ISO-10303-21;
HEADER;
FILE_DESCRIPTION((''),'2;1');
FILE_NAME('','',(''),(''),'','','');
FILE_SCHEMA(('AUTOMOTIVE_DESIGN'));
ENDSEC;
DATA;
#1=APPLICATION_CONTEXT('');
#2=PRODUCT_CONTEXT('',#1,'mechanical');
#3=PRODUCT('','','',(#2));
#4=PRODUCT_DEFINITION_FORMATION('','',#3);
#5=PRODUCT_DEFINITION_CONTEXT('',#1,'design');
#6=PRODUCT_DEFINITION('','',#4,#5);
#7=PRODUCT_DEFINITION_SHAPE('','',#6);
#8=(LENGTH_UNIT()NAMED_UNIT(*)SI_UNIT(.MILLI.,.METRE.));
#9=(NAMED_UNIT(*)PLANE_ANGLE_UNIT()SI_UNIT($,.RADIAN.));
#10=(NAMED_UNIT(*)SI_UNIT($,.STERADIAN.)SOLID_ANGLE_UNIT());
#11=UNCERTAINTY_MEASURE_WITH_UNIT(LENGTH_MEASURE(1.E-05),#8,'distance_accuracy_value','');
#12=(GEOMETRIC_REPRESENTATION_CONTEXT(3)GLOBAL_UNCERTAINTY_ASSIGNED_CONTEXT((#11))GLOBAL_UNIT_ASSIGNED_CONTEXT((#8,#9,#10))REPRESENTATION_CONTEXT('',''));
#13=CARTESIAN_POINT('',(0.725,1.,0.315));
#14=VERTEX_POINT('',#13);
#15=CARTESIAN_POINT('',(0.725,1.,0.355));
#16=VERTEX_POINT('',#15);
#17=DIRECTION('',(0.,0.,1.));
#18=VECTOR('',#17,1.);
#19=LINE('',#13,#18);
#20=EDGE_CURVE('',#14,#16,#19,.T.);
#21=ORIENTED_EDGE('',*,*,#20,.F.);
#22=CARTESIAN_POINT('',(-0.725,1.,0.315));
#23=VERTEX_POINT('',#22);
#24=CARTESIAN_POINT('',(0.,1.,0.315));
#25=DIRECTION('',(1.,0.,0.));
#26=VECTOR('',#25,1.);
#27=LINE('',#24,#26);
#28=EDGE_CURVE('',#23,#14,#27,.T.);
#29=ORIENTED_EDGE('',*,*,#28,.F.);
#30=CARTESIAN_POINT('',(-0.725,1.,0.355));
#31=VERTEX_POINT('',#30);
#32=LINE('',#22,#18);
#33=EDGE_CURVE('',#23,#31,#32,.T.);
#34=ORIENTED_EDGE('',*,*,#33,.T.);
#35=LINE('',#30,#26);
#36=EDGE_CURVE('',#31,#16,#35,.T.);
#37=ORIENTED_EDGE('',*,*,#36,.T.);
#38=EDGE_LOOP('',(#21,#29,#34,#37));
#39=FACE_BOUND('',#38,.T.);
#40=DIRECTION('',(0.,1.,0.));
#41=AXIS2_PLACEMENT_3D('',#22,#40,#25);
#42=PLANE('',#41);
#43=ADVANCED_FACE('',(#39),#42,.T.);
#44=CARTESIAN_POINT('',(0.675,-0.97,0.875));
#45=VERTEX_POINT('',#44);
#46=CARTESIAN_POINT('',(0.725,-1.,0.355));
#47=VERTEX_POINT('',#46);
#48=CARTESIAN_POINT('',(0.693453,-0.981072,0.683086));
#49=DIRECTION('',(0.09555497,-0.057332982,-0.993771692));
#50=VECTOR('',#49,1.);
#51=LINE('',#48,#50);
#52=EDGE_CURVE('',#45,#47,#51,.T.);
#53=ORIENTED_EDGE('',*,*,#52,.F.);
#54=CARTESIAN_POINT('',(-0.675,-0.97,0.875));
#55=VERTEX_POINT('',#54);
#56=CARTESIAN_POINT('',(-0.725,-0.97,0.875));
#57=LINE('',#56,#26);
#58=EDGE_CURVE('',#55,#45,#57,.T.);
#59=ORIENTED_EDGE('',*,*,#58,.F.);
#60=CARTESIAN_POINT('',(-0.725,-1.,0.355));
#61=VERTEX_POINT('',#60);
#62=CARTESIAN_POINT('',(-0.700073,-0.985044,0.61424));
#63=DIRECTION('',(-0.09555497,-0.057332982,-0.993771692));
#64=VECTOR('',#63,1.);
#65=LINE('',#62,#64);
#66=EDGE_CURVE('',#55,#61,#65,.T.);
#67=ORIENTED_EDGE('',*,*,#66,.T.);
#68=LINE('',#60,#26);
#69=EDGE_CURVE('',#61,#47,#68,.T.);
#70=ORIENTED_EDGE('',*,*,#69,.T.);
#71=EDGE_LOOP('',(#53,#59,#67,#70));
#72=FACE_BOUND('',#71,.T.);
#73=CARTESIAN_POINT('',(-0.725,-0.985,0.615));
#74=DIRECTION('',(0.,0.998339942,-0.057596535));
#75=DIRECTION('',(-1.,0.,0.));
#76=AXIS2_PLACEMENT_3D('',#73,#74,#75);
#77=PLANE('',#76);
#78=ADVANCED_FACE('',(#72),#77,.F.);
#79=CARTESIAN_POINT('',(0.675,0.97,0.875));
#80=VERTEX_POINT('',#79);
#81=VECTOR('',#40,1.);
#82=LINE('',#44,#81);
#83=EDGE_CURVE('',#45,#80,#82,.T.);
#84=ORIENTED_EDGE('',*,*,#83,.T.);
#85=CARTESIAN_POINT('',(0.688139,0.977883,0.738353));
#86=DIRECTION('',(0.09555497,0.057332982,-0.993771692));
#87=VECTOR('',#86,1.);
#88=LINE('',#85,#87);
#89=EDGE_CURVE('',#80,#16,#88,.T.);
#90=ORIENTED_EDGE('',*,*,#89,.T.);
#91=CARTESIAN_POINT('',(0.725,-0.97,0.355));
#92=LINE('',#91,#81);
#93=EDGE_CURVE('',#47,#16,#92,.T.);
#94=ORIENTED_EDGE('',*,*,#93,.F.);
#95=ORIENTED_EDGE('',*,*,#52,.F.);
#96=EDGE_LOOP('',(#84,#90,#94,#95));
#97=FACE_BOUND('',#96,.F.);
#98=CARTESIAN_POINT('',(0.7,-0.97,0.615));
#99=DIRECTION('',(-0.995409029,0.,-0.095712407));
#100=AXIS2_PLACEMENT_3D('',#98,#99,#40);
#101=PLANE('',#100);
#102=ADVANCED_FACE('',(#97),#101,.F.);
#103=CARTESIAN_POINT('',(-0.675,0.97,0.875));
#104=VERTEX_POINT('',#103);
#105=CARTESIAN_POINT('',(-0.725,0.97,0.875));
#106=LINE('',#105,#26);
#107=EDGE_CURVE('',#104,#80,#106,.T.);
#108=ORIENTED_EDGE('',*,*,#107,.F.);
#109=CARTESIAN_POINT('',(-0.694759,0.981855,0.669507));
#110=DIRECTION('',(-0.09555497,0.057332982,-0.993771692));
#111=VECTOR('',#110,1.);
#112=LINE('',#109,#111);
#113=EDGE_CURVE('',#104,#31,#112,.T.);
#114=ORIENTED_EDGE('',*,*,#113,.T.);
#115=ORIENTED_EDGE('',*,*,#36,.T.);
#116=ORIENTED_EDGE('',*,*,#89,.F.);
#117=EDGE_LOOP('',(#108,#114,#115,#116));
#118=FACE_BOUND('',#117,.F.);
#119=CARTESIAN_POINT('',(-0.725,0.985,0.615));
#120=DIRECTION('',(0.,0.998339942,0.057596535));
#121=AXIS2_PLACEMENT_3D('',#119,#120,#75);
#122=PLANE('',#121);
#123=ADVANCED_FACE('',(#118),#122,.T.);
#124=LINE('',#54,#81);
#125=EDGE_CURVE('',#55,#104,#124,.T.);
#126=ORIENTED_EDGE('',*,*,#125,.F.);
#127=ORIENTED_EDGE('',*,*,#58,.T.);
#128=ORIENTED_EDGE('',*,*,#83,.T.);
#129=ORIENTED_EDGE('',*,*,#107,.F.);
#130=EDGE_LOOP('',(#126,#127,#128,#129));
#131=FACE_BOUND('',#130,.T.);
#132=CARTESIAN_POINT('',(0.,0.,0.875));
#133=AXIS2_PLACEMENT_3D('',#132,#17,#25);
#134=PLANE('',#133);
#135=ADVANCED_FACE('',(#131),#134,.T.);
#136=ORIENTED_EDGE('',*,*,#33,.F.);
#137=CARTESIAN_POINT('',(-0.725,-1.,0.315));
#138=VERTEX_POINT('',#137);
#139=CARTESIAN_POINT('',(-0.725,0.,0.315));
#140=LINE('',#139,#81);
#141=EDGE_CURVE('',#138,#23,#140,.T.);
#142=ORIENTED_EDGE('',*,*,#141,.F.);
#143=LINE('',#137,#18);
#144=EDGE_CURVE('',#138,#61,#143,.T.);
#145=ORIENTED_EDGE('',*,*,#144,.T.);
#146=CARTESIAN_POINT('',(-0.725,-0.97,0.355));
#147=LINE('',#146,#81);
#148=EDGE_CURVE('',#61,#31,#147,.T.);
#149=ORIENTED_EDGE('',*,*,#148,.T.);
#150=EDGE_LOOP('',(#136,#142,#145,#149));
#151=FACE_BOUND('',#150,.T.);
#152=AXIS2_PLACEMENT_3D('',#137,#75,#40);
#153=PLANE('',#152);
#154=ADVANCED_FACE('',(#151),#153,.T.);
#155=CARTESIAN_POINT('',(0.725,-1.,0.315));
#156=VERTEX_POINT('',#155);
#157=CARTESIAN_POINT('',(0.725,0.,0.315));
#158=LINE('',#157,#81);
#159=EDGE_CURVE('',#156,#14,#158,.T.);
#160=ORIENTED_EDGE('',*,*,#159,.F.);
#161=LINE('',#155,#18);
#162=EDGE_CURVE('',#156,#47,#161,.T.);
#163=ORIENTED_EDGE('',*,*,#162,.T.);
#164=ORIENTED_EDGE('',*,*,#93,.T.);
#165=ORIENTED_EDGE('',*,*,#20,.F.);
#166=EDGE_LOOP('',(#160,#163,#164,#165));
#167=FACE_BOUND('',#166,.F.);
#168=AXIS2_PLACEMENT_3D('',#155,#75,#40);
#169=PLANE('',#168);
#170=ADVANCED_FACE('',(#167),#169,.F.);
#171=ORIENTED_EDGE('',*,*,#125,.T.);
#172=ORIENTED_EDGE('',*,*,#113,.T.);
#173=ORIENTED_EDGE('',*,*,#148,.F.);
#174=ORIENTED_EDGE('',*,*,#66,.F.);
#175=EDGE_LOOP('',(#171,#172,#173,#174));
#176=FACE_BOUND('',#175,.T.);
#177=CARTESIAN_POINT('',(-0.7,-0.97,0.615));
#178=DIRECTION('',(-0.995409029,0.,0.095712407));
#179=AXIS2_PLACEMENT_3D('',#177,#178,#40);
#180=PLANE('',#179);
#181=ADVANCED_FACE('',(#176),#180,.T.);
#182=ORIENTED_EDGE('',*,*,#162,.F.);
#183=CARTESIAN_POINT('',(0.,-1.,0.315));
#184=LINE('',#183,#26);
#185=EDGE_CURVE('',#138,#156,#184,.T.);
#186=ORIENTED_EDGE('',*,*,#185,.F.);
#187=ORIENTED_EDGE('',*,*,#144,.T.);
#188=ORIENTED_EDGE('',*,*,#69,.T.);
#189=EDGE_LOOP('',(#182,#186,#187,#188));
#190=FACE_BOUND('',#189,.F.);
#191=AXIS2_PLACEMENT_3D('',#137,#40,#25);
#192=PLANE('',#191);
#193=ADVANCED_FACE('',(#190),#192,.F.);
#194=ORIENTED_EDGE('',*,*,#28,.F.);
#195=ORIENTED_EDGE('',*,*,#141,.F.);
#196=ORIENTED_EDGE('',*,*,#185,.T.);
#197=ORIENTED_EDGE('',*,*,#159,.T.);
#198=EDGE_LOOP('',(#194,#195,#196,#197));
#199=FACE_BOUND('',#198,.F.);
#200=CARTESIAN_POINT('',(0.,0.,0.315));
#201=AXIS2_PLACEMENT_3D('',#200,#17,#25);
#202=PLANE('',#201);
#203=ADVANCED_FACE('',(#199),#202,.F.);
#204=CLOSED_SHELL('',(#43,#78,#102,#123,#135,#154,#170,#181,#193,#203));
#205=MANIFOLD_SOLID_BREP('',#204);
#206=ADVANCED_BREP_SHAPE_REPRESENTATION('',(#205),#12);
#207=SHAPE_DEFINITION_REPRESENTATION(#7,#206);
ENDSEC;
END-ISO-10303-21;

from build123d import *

# Parameters (mm, degrees)
SKETCH009_W      = 1.45
SKETCH009_H      = 2
EXTRUDE008_DEPTH = 0.56
CHAMFER_1_SIZE2  = 0.03
CHAMFER_1_SIZE   = 0.52
CHAMFER_2_SIZE2  = 0.03
CHAMFER_2_SIZE   = 0.52
CHAMFER001_SIZE2 = 0.52
CHAMFER001_SIZE  = 0.05
CHAMFER002_SIZE2 = 0.52
CHAMFER002_SIZE  = 0.05


with BuildPart() as part:
    # Sketch009 (on Face32 of Extrude003) → Extrude008 (new body)
    with BuildSketch(Plane.XY.offset(0.315)):
        Rectangle(SKETCH009_W, SKETCH009_H)
    extrude(amount=EXTRUDE008_DEPTH)

    # Chamfer 1
    chamfer_1_edges = [part.edges().sort_by_distance(p)[0] for p in [
        (0, 1, 0.875),
    ]]
    chamfer_1_side = part.faces().sort_by_distance((0, 1, 0.595))[0]
    chamfer(chamfer_1_edges, length=CHAMFER_1_SIZE, length2=CHAMFER_1_SIZE2, reference=chamfer_1_side)

    # Chamfer 2
    chamfer_2_edges = [part.edges().sort_by_distance(p)[0] for p in [
        (0, -1, 0.875),
    ]]
    chamfer_2_side = part.faces().sort_by_distance((0, -1, 0.595))[0]
    chamfer(chamfer_2_edges, length=CHAMFER_2_SIZE, length2=CHAMFER_2_SIZE2, reference=chamfer_2_side)

    # Chamfer001
    chamfer001_edges = [part.edges().sort_by_distance(p)[0] for p in [
        (0.725, 0, 0.875),
    ]]
    chamfer001_side = part.faces().sort_by_distance((0, 0, 0.875))[0]
    chamfer(chamfer001_edges, length=CHAMFER001_SIZE, length2=CHAMFER001_SIZE2, reference=chamfer001_side)

    # Chamfer002
    chamfer002_edges = [part.edges().sort_by_distance(p)[0] for p in [
        (-0.725, 0, 0.875),
    ]]
    chamfer002_side = part.faces().sort_by_distance((-0.025, 0, 0.875))[0]
    chamfer(chamfer002_edges, length=CHAMFER002_SIZE, length2=CHAMFER002_SIZE2, reference=chamfer002_side)


solid = part.part
